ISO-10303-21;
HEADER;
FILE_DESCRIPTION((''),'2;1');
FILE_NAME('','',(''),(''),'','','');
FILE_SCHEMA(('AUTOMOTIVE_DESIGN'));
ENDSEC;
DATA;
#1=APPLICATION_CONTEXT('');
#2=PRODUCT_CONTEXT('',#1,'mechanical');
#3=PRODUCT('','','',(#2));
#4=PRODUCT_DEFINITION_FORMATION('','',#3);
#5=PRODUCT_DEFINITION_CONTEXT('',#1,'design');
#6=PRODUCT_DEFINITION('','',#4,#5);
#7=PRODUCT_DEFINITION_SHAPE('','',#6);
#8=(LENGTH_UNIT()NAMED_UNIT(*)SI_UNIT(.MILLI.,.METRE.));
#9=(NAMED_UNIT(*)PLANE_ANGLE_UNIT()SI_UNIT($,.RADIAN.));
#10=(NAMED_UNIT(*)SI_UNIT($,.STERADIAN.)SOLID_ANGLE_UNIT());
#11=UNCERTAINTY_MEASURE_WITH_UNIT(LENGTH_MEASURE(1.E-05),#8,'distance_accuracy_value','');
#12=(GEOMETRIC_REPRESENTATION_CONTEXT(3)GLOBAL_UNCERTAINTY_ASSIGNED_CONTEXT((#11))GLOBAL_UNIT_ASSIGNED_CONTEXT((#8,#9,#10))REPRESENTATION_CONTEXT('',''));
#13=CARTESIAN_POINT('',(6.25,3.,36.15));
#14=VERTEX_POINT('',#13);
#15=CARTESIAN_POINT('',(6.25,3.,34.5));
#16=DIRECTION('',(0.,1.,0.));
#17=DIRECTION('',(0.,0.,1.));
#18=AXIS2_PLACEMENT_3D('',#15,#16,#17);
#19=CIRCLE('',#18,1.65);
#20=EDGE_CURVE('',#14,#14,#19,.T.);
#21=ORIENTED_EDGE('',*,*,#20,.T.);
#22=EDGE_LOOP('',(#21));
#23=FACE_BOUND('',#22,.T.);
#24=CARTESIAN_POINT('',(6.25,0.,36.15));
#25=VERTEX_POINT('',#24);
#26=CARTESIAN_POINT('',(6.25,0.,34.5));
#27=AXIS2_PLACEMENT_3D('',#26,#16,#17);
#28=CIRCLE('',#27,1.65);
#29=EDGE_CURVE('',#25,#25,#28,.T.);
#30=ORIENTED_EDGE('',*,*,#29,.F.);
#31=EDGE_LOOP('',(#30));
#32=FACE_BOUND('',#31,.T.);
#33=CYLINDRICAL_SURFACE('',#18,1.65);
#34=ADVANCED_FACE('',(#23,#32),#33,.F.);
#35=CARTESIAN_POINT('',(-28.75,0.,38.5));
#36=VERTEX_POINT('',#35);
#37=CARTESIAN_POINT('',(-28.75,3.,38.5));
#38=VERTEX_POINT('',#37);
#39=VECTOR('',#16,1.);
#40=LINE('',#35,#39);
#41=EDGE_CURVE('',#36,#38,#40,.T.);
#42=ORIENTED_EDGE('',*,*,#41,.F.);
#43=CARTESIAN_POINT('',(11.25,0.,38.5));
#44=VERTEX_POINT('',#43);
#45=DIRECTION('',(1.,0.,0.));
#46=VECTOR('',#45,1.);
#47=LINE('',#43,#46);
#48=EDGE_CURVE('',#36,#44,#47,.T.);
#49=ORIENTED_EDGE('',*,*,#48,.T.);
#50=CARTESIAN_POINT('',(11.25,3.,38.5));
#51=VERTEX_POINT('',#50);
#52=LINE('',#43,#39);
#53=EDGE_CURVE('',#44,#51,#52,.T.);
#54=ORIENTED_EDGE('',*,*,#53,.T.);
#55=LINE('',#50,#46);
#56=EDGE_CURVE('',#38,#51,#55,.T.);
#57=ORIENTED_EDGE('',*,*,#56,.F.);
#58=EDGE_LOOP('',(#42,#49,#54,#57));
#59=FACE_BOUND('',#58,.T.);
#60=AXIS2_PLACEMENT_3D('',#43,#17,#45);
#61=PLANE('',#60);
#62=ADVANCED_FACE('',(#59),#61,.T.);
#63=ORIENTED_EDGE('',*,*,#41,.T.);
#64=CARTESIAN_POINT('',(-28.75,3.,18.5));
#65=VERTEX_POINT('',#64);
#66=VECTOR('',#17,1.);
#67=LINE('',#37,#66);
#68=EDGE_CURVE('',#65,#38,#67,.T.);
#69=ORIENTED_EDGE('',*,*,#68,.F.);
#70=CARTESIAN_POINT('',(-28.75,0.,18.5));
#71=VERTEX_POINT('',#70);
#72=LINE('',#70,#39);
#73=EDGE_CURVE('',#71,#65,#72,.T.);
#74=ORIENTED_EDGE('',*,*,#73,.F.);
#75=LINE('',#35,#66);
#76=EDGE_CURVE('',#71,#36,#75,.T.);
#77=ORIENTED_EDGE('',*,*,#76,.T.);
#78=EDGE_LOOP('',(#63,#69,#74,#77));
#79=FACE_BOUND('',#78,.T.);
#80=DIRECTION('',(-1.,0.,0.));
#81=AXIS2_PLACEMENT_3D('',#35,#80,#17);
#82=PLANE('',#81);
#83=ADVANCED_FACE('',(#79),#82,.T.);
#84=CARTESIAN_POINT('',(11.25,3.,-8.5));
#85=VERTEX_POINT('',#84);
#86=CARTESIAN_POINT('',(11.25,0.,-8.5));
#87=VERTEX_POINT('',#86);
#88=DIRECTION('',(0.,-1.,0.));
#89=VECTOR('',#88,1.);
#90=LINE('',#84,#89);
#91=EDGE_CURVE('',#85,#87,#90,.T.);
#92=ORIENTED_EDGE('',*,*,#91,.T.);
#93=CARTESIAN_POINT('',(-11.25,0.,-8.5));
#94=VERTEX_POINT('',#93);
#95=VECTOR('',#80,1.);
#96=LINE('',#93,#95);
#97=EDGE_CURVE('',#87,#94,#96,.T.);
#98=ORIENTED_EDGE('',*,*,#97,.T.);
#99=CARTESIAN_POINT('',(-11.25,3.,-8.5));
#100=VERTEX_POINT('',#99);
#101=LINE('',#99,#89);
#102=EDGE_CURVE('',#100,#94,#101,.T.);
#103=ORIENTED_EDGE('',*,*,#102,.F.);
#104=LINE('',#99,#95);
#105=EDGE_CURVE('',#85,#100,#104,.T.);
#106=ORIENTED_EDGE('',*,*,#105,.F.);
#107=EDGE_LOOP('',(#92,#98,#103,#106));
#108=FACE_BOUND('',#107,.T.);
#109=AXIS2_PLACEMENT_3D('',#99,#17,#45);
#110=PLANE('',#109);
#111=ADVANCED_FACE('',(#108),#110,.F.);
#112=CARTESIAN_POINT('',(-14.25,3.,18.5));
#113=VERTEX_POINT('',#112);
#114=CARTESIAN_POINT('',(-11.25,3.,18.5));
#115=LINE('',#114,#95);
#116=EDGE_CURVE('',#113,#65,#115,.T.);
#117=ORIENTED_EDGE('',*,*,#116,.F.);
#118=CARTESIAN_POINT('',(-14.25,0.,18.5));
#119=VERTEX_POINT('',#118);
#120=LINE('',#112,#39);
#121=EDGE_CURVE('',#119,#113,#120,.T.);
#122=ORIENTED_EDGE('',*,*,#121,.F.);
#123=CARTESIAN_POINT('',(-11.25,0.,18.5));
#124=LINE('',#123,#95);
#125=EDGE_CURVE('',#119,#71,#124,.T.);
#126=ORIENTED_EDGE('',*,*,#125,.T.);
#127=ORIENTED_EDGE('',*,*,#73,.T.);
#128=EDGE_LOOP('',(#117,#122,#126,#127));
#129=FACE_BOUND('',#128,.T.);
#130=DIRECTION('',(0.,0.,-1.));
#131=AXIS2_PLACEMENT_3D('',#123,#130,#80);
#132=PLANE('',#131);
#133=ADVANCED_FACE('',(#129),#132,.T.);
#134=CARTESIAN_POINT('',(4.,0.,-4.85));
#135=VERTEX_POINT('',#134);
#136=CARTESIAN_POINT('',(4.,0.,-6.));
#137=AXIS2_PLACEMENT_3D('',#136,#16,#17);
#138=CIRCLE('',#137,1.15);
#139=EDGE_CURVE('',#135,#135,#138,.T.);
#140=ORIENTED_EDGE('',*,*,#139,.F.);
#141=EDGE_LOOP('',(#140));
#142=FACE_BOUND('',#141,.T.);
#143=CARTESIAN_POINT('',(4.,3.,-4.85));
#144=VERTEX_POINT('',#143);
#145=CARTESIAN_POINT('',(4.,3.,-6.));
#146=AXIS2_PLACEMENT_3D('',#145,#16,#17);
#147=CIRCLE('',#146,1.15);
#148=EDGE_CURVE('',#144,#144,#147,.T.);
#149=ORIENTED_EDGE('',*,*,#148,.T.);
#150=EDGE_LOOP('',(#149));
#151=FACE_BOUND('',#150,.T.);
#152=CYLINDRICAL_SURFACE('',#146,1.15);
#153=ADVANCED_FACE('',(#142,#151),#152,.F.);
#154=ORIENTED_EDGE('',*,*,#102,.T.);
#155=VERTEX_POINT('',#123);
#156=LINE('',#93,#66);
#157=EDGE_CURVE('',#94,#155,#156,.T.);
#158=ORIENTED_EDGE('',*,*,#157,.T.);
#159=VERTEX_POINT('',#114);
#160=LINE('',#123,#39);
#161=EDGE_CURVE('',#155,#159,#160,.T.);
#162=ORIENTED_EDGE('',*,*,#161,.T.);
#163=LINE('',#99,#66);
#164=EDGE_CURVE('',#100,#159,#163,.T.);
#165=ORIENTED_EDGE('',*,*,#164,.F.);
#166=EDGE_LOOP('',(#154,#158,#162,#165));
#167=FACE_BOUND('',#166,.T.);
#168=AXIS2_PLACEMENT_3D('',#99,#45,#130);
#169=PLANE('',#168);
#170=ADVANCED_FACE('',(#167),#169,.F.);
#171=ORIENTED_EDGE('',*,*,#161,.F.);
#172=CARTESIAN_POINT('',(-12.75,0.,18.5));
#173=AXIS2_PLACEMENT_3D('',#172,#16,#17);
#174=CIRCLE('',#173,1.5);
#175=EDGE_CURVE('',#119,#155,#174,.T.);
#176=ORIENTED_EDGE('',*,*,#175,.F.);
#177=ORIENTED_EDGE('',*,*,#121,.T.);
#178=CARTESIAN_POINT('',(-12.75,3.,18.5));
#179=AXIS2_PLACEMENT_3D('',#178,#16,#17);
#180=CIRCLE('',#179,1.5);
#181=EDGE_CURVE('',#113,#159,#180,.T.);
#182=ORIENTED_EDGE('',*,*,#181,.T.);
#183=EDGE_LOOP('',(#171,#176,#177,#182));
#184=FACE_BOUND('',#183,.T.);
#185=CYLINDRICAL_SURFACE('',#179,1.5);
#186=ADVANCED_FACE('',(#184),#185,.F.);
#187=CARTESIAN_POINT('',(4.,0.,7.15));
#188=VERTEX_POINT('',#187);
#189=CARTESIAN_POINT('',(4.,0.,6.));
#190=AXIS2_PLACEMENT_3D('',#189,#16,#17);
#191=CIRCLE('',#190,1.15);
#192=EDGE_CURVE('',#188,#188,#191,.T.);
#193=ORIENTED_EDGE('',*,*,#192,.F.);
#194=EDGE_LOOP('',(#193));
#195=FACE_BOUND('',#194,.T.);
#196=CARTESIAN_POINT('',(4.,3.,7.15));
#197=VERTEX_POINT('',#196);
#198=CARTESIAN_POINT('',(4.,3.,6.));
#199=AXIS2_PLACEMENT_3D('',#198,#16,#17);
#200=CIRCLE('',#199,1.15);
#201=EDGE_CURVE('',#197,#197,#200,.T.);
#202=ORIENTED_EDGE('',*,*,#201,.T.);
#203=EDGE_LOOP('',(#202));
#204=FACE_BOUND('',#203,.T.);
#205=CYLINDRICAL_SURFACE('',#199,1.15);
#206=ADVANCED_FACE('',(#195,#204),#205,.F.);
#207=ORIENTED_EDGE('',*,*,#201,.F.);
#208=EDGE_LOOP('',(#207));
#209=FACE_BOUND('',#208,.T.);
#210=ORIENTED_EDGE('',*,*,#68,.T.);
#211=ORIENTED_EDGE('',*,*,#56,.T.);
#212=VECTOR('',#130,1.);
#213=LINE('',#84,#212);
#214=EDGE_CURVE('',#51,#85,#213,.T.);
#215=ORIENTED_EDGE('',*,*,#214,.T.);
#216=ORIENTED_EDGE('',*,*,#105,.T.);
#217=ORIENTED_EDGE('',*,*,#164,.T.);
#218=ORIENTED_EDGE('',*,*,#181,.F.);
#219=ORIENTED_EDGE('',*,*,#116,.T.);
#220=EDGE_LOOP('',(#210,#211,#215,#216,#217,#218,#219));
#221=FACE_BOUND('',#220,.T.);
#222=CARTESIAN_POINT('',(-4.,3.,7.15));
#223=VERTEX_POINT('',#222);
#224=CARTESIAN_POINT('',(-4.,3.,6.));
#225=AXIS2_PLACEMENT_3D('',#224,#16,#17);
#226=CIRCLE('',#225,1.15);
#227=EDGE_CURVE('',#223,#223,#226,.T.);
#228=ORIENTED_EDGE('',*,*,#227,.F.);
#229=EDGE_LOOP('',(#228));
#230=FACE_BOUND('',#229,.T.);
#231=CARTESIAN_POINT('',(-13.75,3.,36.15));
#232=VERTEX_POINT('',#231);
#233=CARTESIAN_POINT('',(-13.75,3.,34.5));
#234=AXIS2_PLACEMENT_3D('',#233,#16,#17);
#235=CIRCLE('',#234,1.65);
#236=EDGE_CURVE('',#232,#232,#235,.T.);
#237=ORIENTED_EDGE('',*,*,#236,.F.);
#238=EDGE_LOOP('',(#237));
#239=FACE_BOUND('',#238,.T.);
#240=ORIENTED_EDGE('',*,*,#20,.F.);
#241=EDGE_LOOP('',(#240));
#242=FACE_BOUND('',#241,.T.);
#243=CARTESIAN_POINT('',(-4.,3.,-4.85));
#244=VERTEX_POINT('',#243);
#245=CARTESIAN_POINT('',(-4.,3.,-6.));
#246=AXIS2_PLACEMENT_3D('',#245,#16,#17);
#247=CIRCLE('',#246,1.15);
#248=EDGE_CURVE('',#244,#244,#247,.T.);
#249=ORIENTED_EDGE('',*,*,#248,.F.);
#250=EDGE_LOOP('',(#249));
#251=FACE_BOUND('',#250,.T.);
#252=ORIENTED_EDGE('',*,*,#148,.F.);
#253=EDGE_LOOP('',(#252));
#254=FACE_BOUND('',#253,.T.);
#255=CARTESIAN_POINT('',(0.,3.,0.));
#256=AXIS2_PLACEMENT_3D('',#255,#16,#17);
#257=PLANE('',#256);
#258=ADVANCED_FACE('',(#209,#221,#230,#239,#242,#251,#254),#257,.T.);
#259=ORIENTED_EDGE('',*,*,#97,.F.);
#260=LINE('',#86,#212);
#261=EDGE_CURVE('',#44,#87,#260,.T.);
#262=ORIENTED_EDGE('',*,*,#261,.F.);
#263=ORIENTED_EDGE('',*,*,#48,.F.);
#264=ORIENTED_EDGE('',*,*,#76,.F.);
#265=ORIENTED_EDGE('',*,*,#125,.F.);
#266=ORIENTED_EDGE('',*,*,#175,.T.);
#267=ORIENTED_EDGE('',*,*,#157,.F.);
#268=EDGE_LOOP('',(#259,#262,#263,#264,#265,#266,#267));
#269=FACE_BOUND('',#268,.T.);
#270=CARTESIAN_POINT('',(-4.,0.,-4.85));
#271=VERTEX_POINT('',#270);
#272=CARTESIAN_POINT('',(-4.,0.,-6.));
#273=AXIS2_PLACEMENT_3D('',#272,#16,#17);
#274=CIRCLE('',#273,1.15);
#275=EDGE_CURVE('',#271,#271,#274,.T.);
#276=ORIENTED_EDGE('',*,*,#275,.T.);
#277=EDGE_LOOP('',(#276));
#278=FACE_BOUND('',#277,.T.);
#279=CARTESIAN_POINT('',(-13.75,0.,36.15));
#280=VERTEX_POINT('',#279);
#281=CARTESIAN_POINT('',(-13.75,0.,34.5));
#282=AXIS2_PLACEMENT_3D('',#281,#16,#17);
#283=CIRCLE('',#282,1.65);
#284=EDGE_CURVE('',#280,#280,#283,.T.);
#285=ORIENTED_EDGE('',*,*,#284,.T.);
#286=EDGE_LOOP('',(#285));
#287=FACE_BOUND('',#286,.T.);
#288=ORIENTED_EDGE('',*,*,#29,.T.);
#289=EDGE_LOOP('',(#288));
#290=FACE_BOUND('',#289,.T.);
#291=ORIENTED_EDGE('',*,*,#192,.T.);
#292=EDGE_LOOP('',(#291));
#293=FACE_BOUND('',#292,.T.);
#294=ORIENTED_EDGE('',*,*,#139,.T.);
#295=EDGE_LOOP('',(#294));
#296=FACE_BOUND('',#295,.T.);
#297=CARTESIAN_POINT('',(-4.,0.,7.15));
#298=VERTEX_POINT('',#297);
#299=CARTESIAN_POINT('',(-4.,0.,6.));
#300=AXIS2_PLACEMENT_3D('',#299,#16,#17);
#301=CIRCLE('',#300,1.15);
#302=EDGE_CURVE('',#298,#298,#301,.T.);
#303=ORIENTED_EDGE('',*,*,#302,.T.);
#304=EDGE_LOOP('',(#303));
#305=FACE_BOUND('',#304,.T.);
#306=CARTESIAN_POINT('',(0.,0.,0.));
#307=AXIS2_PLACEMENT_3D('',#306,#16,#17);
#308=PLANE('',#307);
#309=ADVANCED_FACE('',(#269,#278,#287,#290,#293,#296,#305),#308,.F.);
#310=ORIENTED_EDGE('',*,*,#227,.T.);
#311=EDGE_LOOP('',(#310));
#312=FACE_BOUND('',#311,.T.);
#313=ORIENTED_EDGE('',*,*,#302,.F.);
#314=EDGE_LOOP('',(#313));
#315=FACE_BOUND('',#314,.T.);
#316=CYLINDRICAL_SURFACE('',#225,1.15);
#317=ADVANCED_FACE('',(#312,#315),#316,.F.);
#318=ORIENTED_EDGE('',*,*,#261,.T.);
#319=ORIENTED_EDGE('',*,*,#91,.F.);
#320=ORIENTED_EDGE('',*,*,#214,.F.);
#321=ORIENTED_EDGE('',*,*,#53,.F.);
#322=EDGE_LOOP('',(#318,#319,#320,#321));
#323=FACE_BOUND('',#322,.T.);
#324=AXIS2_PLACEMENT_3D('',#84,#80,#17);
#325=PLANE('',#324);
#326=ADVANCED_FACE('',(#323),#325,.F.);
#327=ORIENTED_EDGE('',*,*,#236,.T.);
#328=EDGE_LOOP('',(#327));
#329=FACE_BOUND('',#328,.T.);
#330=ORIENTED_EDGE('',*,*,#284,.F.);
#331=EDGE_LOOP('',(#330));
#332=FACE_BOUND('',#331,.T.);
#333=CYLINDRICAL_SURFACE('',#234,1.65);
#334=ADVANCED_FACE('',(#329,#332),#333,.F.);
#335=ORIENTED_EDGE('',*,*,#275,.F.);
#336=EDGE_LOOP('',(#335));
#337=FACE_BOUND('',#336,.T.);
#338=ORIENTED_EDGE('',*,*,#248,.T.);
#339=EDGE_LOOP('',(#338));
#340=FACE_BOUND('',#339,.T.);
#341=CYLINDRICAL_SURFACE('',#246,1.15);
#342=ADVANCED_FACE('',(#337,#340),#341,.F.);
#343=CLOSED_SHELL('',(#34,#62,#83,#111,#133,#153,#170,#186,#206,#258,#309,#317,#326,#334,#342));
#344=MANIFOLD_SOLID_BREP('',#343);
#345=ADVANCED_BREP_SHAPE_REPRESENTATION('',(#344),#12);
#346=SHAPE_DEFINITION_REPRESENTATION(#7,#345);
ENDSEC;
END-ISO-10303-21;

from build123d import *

# Parameters (mm, degrees)
SKETCH_1_W      = 22.5
SKETCH_1_H      = 17
EXTRUDE_1_DEPTH = 3
HOLE_WIZARD_1_D = 2.3
SKETCH_5_W      = 22.5
SKETCH_5_H      = 30
EXTRUDE_2_DEPTH = 3
SKETCH_6_W      = 17.5
SKETCH_6_H      = 20
EXTRUDE_3_DEPTH = 3
HOLE_WIZARD_2_D = 3.3
HOLE_WIZARD_3_D = 3


with BuildPart() as part:
    # 草图1 → 凸台-拉伸1 (new body)
    with BuildSketch(Plane(origin=(0, 0, 0), x_dir=(1, 0, 0), z_dir=(0, 1, 0))):
        Rectangle(SKETCH_1_W, SKETCH_1_H)
    extrude(amount=EXTRUDE_1_DEPTH)

    # 孔1 (through all)
    with Locations(Plane(origin=(0, 3, 0), x_dir=(1, 0, 0), z_dir=(0, 1, 0))):
        with Locations((-4, 6), (4, 6), (-4, -6), (4, -6)):
            Hole(HOLE_WIZARD_1_D / 2)

    # 草图5 → 凸台-拉伸2 (add)
    with BuildSketch(Plane(origin=(0, 3, 0), x_dir=(1, 0, 0), z_dir=(0, 1, 0))):
        with Locations((0, -23.5)):
            Rectangle(SKETCH_5_W, SKETCH_5_H)
    extrude(amount=-EXTRUDE_2_DEPTH)

    # 草图6 → 凸台-拉伸3 (add)
    with BuildSketch(Plane(origin=(0, 3, 0), x_dir=(1, 0, 0), z_dir=(0, 1, 0))):
        with Locations((-20, -28.5)):
            Rectangle(SKETCH_6_W, SKETCH_6_H)
    extrude(amount=-EXTRUDE_3_DEPTH)

    # 孔2 (through all)
    with Locations(Plane(origin=(0, 3, 0), x_dir=(1, 0, 0), z_dir=(0, 1, 0))):
        with Locations((6.25, -34.5), (6.25, -54.5), (-13.75, -54.5), (-13.75, -34.5)):
            Hole(HOLE_WIZARD_2_D / 2)

    # 孔3 (through all)
    with Locations(Plane(origin=(0, 3, 0), x_dir=(1, 0, 0), z_dir=(0, 1, 0))):
        with Locations((-12.75, -18.5)):
            Hole(HOLE_WIZARD_3_D / 2)


solid = part.part
